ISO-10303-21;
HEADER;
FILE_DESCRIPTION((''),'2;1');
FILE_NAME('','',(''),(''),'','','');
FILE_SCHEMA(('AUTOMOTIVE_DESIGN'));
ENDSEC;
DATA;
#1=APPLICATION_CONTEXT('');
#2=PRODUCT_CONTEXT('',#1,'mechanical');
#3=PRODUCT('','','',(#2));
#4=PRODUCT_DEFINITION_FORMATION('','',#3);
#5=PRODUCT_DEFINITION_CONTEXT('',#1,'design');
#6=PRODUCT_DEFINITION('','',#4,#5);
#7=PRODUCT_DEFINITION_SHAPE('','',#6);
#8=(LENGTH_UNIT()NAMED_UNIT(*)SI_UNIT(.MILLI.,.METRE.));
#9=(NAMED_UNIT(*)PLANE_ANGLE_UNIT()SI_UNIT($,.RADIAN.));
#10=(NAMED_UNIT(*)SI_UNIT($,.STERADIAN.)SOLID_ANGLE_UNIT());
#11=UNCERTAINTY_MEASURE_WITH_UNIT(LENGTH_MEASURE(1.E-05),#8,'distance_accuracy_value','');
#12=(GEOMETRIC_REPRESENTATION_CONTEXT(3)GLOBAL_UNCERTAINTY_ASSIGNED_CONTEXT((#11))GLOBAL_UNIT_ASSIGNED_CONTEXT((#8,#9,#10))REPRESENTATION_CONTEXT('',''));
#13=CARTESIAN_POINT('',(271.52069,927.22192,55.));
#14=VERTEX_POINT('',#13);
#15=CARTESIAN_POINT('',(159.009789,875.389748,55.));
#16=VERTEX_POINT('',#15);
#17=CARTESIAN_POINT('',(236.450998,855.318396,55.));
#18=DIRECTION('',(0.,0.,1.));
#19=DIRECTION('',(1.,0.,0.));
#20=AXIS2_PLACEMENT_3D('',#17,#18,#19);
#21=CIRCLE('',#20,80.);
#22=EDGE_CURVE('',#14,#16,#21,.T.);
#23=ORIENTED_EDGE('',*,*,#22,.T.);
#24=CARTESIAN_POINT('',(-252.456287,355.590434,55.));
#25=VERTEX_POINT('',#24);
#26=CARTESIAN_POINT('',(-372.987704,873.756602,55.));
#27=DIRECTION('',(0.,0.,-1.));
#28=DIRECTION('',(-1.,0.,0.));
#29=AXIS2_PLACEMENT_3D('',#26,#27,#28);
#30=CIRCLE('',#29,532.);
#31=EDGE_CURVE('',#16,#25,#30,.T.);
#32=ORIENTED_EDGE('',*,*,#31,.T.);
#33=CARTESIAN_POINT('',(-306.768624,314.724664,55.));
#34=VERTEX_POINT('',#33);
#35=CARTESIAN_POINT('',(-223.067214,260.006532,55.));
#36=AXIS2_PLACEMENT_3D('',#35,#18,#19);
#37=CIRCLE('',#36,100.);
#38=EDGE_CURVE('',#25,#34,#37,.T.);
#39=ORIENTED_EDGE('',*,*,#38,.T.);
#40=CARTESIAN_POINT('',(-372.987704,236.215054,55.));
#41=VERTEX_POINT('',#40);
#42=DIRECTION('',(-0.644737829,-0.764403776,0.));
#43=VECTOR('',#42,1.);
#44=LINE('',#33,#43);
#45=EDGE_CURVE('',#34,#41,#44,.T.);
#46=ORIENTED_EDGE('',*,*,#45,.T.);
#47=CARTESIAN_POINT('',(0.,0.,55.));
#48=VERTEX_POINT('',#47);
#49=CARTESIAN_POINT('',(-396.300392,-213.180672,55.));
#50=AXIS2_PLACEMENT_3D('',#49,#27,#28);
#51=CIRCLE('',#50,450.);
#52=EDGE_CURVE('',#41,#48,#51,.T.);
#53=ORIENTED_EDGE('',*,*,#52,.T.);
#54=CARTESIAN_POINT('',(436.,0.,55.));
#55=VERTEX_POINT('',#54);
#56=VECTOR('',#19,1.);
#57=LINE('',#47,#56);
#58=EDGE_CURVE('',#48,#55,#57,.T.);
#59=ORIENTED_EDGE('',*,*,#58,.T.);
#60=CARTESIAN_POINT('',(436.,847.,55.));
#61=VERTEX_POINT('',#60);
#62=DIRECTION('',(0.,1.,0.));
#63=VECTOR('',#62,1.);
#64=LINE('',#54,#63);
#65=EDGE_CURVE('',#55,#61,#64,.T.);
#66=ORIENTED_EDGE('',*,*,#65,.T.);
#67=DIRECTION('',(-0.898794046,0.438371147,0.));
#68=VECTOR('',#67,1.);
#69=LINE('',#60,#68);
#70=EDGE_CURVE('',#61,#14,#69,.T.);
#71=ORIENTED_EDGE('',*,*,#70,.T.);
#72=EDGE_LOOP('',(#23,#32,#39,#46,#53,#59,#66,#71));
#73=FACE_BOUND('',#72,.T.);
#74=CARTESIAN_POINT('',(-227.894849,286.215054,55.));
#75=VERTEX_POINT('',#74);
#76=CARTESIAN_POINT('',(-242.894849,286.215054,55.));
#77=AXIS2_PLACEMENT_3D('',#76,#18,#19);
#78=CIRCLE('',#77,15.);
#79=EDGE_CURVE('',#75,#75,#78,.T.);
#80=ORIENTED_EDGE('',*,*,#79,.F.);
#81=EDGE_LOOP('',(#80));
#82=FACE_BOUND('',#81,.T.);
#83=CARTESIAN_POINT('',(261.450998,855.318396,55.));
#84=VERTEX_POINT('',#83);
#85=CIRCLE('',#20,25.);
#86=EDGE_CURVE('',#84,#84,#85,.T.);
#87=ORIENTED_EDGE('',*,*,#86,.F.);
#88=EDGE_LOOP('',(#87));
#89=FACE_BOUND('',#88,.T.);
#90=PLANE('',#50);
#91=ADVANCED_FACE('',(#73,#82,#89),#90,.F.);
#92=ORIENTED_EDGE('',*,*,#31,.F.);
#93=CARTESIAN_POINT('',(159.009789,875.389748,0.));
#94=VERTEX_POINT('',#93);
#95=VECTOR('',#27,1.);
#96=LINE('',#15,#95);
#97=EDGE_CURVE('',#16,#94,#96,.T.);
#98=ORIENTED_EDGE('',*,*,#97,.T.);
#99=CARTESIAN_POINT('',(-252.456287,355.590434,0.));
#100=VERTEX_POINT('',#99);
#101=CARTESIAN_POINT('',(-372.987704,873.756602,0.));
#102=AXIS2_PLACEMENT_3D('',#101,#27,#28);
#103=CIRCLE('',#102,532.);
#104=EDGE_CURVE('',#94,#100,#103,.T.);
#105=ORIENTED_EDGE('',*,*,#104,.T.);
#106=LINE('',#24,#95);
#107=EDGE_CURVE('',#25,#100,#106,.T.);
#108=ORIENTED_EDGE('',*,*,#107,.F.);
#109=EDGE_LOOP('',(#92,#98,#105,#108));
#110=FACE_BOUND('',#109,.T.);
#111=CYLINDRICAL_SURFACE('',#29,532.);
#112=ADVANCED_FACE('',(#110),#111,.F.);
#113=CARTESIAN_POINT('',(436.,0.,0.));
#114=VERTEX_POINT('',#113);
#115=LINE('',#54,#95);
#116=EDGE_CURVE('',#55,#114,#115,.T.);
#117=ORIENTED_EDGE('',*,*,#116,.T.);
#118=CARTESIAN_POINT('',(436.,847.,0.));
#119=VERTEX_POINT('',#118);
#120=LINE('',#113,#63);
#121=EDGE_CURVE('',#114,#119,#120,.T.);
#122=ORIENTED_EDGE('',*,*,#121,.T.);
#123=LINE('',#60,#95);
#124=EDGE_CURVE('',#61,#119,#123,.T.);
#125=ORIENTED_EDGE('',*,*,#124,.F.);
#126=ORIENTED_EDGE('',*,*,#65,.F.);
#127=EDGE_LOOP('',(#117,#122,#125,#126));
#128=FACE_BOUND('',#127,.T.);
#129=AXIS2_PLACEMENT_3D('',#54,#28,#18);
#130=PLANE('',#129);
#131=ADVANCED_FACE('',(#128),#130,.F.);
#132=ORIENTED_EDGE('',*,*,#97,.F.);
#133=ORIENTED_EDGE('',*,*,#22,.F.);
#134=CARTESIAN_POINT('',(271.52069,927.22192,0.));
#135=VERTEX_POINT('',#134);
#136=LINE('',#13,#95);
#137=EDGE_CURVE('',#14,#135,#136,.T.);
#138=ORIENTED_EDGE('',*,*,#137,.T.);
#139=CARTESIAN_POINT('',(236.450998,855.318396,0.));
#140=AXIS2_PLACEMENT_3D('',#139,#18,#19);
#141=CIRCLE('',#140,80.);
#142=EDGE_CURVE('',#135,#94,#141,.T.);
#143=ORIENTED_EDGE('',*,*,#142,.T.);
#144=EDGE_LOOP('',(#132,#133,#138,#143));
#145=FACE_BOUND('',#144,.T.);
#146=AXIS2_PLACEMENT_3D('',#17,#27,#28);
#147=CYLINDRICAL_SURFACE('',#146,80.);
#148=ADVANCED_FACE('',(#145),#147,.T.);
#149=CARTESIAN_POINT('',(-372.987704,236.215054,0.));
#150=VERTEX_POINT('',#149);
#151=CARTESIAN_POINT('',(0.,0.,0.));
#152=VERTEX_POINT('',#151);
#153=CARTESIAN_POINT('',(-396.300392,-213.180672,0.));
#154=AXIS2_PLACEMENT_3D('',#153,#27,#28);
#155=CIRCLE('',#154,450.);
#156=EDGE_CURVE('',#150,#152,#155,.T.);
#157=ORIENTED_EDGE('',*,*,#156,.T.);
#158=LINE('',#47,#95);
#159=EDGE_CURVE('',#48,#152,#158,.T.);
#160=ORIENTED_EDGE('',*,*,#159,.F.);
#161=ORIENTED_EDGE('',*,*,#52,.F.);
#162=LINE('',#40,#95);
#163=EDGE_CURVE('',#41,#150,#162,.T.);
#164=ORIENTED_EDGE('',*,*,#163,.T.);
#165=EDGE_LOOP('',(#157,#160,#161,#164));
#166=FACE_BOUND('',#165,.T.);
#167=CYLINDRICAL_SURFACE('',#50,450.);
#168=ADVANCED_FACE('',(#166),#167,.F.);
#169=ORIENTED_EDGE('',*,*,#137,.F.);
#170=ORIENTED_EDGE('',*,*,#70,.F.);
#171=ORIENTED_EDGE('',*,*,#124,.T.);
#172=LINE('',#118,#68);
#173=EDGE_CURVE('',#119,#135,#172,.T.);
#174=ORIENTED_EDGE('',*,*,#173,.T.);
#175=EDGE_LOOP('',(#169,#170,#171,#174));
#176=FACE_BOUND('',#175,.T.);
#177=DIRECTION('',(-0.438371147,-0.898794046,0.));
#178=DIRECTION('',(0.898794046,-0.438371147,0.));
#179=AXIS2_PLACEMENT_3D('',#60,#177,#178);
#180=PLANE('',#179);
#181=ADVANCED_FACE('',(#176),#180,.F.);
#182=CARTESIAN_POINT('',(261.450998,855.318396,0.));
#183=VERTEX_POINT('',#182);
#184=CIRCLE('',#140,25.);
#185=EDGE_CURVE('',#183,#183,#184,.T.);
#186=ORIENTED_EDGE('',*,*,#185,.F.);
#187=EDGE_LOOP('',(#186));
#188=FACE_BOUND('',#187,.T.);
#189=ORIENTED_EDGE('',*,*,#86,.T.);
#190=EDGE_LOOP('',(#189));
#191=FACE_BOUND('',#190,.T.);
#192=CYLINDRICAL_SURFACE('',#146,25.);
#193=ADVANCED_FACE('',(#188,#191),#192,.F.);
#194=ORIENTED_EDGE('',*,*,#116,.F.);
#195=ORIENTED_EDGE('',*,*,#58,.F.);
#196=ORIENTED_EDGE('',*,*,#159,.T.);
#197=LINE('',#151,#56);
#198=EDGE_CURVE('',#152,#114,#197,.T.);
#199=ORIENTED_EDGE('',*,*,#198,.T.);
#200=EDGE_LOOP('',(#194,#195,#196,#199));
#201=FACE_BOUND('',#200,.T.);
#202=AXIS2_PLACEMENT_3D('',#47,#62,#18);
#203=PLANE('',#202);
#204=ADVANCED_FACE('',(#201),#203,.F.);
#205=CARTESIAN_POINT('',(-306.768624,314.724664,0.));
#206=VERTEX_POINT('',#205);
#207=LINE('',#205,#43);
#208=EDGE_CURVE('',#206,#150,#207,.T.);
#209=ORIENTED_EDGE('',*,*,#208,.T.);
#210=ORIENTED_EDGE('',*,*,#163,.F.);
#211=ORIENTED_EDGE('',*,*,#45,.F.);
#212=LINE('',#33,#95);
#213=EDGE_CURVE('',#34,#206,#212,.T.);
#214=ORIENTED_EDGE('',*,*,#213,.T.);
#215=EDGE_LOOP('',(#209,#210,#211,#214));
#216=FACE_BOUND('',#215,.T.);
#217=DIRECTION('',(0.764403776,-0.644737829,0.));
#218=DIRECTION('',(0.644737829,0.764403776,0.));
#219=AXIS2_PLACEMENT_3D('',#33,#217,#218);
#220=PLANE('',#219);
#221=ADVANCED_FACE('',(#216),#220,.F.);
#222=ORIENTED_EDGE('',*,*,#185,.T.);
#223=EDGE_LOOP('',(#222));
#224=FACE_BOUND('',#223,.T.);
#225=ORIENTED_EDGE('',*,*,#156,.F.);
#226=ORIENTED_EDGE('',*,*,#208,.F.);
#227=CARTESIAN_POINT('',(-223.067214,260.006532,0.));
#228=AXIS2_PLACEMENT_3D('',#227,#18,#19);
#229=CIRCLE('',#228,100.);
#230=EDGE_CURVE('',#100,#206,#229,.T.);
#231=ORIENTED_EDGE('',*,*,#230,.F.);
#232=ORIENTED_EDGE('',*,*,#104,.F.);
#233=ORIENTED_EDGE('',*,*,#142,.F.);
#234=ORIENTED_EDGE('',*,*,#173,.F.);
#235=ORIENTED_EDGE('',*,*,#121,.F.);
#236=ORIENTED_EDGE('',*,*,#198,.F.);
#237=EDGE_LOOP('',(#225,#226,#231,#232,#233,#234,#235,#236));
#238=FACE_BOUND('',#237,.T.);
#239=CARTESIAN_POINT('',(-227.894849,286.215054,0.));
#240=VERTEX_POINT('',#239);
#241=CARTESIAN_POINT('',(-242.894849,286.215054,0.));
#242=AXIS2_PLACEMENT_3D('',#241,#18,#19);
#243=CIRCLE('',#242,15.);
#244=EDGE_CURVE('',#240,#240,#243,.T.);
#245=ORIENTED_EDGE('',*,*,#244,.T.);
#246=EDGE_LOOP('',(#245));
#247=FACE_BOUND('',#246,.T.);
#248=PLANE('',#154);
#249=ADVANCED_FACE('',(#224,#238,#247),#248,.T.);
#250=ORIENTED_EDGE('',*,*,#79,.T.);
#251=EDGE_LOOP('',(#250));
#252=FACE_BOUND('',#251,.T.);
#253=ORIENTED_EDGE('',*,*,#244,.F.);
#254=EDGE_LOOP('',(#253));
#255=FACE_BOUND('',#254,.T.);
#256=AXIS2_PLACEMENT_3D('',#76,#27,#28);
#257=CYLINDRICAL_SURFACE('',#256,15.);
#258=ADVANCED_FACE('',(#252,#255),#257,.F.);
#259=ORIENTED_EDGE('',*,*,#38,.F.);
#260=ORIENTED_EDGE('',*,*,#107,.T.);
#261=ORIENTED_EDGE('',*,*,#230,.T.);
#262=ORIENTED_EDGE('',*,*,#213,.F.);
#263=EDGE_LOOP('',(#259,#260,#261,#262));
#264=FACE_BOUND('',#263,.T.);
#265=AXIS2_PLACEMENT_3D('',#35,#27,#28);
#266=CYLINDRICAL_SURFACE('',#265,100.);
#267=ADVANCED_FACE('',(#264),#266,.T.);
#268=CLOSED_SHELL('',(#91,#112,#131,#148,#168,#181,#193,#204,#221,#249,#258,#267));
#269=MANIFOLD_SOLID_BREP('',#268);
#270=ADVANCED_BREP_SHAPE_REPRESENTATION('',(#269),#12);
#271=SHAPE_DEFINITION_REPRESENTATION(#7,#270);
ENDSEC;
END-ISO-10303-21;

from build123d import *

# Parameters (mm, degrees)
SKETCH1_R           = 25
SKETCH1_R_2         = 15
BOSS_EXTRUDE1_DEPTH = 55


with BuildPart() as part:
    # Sketch1 → Boss-Extrude1 (new body)
    with BuildSketch(Plane.XY):
        with BuildLine():
            Line((0, 0), (436, 0))
            Line((436, 0), (436, 847))
            Line((436, 847), (271.520689527, 927.221919862))
            ThreePointArc((271.520689527, 927.221919862), (202.977427959, 927.978702538), (159.009788885, 875.389747989))
            ThreePointArc((159.009788885, 875.389747989), (44.140964675, 543.56321378), (-252.456286899, 355.590433997))
            ThreePointArc((-252.456286899, 355.590433997), (-283.190978989, 339.913558022), (-306.768623817, 314.724663594))
            Line((-306.768623817, 314.724663594), (-372.987704373, 236.21505403))
            ThreePointArc((-372.987704373, 236.21505403), (-155.534588664, 166.992745943), (0, 0))
        make_face()
        with Locations((236.450997784, 855.318396158)):
            Circle(SKETCH1_R, mode=Mode.SUBTRACT)
        with Locations((-242.894848687, 286.21505403)):
            Circle(SKETCH1_R_2, mode=Mode.SUBTRACT)
    extrude(amount=BOSS_EXTRUDE1_DEPTH)


solid = part.part
